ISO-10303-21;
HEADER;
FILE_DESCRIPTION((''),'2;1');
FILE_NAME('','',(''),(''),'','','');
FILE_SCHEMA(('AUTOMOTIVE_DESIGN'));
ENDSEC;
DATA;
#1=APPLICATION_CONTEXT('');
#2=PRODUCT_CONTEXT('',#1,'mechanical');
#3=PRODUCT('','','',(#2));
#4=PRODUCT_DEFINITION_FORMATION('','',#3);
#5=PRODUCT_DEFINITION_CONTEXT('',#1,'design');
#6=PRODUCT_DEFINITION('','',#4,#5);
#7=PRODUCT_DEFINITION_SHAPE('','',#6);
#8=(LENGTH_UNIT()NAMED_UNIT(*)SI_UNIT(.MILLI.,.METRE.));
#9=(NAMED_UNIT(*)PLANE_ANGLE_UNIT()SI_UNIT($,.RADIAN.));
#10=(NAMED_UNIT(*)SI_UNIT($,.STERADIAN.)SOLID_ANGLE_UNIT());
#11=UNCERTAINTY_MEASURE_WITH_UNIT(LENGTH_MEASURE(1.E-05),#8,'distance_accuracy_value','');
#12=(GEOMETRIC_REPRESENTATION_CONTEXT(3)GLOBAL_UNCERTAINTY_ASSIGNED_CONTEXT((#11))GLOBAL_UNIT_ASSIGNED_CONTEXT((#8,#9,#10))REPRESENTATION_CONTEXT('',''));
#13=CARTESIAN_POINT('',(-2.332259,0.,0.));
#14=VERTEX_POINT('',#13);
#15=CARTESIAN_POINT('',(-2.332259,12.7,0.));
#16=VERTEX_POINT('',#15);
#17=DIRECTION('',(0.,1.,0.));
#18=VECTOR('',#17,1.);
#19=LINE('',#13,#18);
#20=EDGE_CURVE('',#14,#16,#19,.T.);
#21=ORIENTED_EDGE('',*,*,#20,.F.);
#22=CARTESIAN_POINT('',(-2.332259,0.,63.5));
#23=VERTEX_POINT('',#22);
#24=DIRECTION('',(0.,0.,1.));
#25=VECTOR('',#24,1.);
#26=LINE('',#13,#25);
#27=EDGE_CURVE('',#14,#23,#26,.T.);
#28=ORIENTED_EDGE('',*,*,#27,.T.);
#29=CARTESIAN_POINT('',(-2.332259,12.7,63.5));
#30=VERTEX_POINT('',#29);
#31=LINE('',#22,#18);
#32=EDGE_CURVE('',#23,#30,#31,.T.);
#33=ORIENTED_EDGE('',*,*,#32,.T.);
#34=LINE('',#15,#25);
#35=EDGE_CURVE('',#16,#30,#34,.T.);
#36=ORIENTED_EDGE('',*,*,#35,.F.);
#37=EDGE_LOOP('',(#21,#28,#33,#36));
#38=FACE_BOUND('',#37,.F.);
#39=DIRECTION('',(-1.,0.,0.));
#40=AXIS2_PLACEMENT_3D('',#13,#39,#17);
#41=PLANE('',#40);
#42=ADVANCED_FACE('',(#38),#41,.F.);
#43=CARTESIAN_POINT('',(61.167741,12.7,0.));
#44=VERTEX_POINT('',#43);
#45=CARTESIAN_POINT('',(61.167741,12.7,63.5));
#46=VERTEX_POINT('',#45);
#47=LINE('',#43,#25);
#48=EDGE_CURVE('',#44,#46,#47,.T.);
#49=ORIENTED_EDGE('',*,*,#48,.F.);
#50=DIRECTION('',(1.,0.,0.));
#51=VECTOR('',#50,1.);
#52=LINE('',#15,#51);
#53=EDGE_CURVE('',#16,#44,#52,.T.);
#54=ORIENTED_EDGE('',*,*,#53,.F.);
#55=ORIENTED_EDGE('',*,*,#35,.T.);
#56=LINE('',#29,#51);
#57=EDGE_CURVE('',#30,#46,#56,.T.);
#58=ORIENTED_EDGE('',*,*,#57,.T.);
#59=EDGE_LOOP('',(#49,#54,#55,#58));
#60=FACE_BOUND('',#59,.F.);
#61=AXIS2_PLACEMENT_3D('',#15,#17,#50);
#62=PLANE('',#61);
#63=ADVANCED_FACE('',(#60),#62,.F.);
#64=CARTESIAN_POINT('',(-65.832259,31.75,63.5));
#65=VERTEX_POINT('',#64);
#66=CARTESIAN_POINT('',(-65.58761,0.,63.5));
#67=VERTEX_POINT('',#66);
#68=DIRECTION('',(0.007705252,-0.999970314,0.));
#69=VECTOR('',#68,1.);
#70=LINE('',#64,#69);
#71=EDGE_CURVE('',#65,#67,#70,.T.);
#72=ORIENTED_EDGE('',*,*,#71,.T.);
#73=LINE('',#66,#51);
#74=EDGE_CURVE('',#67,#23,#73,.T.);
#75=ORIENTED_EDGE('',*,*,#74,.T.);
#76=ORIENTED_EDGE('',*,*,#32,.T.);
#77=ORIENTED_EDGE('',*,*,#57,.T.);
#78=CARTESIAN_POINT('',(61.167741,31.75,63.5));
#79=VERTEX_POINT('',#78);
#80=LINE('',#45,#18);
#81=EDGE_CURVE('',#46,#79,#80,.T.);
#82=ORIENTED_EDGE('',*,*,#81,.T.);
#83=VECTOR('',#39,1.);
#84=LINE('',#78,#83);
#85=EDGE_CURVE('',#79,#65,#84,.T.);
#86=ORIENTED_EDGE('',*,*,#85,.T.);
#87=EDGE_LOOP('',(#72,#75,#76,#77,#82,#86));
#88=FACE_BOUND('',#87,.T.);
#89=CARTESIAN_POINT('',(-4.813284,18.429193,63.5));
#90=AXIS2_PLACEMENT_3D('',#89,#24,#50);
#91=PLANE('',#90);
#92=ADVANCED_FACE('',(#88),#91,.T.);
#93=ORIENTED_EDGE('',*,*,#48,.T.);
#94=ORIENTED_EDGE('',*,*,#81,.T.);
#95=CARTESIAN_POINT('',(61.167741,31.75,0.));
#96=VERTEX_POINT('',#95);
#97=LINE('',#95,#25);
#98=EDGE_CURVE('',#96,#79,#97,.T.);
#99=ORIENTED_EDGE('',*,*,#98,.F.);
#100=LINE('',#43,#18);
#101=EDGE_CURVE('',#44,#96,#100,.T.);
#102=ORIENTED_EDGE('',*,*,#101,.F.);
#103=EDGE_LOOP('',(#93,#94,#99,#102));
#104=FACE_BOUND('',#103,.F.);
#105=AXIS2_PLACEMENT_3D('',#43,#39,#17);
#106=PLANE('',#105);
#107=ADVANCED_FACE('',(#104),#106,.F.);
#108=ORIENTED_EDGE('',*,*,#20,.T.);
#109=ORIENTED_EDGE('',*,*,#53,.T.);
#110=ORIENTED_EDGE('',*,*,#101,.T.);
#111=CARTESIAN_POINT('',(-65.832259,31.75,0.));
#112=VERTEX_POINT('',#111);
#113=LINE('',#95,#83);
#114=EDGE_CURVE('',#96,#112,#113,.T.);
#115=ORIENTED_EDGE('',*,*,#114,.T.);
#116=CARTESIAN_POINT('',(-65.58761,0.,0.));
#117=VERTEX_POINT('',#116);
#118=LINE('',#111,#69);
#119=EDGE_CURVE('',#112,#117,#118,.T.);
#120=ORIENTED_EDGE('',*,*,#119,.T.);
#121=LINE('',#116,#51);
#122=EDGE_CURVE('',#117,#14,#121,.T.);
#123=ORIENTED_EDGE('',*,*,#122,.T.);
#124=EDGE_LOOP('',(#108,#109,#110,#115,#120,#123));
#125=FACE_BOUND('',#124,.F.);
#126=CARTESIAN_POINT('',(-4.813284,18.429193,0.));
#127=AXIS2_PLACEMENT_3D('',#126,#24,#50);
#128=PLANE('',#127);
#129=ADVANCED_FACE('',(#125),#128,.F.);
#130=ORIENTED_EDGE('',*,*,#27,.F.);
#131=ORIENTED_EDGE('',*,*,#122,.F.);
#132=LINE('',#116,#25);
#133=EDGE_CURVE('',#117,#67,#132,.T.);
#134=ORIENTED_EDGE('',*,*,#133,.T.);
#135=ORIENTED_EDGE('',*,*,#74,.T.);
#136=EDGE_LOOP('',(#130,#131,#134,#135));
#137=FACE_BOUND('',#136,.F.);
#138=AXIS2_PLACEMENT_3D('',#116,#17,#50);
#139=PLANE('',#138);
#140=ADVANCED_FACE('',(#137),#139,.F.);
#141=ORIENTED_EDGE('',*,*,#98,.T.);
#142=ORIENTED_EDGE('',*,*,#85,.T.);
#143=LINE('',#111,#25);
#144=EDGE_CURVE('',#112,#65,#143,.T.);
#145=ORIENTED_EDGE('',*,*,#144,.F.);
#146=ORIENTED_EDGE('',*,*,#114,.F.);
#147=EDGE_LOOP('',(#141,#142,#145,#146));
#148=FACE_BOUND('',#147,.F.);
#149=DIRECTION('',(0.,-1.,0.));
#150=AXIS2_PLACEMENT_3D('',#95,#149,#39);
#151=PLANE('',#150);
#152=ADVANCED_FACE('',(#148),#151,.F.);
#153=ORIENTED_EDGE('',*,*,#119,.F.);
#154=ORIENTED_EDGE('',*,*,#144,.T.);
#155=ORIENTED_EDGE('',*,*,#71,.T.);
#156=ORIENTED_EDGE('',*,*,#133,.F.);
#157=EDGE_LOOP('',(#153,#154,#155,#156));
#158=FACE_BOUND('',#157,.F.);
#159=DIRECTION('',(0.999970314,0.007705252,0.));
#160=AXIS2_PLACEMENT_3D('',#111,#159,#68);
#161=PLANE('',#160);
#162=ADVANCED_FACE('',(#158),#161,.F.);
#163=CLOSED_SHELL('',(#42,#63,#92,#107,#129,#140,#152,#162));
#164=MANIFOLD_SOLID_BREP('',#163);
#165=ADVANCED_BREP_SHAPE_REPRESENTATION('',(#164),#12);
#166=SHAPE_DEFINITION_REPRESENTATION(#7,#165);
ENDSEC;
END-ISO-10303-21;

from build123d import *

# Parameters (mm, degrees)
F1_DEPTH = 63.5
F2_DEPTH = 63.5


with BuildPart() as f1:
    # F0 (on Top) → F1 (new body)
    with BuildSketch(Plane.XY):
        Polygon((61.167741, 31.75), (-65.832259, 31.75), (-65.58761, 0), (-2.332259, 0), (-2.332259, 12.7), (15.4492, 12.7), (61.167741, 12.7), align=None)
    extrude(amount=F1_DEPTH)

    # F0 (on Top) → F2 (join)
    with BuildSketch(Plane.XY):
        Polygon((61.167741, 31.75), (-65.832259, 31.75), (-65.58761, 0), (-2.332259, 0), (-2.332259, 12.7), (15.4492, 12.7), (61.167741, 12.7), align=None)
    extrude(amount=F2_DEPTH)


solid = f1.part
